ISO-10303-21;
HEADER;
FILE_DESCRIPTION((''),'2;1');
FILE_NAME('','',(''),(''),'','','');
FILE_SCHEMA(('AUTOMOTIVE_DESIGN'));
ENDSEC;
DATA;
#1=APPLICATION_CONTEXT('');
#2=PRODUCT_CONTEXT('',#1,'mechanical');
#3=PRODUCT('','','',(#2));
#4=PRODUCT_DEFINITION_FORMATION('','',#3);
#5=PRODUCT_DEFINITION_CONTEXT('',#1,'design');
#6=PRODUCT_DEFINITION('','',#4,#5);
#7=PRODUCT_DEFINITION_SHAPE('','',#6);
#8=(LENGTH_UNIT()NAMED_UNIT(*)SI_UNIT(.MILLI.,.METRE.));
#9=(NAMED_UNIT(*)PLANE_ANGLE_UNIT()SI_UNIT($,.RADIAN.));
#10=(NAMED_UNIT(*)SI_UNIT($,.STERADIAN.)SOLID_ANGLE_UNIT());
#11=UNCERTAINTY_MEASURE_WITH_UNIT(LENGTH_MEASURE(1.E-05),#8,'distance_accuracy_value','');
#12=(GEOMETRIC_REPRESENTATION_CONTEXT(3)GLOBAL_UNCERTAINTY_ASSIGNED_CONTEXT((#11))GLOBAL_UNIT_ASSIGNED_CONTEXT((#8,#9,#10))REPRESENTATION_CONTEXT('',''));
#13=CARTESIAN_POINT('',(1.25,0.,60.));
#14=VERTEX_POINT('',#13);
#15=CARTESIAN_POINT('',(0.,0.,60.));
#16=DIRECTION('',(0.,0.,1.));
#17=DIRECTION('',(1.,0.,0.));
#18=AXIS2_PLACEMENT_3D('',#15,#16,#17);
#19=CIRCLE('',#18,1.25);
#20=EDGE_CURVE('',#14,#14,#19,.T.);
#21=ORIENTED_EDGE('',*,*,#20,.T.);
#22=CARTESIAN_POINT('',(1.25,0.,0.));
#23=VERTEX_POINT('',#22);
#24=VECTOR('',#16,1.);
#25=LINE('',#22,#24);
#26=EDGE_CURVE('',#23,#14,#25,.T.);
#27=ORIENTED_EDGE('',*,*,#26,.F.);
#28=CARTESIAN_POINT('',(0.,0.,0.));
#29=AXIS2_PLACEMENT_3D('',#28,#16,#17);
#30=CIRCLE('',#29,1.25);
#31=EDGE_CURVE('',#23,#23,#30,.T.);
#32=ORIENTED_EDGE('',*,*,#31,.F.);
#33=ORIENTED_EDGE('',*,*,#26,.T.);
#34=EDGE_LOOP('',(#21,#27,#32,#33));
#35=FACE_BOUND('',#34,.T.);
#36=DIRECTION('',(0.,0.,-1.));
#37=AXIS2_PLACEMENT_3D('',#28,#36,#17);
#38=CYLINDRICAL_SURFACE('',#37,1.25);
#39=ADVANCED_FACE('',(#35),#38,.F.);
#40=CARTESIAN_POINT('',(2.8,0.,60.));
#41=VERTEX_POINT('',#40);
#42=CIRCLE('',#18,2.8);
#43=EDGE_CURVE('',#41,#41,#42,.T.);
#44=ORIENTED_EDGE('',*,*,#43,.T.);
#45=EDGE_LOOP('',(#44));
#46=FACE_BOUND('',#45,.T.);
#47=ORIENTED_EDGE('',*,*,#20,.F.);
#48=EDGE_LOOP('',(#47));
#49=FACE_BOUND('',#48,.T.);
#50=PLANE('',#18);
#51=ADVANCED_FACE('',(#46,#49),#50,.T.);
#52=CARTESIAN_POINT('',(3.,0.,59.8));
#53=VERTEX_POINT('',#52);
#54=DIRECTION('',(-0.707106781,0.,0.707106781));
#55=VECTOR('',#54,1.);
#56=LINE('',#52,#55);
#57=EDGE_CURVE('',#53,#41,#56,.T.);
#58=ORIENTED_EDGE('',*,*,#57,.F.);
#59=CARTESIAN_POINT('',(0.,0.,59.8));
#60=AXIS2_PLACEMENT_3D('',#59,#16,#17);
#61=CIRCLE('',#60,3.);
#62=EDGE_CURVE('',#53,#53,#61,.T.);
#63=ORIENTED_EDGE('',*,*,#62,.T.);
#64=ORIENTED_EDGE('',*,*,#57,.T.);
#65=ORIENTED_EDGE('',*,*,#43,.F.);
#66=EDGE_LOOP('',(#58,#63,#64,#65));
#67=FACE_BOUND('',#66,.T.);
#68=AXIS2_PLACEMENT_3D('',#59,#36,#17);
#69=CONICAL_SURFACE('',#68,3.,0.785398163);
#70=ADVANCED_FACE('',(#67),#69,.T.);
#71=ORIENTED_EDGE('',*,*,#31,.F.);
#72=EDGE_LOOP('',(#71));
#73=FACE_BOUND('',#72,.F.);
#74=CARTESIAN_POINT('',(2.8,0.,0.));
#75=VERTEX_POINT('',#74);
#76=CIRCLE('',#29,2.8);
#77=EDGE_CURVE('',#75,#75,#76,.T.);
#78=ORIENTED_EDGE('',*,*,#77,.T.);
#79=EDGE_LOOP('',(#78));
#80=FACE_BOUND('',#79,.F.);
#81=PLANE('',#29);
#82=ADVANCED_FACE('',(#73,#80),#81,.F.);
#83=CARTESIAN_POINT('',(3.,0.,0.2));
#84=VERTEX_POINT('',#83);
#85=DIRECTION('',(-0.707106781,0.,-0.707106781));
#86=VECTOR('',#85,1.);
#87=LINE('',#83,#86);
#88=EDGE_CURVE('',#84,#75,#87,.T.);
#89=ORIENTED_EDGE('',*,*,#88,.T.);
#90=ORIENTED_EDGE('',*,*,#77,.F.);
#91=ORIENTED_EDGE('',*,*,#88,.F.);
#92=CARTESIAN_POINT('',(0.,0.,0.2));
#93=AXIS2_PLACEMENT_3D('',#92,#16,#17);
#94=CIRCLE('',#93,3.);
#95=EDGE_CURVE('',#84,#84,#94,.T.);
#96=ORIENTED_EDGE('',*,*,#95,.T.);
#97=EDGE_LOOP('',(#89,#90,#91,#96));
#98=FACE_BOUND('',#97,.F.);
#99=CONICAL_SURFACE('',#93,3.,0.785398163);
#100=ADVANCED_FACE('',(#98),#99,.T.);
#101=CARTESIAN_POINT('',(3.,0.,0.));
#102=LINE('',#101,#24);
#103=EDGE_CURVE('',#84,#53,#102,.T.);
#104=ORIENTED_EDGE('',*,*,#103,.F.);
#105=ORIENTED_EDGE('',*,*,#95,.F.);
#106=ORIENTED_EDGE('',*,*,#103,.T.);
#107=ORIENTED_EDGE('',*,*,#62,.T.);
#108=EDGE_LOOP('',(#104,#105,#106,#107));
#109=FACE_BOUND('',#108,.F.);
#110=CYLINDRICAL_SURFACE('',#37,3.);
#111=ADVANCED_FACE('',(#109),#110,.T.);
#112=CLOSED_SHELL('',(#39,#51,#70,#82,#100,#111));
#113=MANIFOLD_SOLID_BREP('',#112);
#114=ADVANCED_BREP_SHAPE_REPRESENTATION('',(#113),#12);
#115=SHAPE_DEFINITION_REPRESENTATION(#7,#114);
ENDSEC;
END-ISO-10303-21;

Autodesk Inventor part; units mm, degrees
ref_plane "YZ Plane" through (0, 0, 0) normal (1, 0, 0) x (0, 1, 0)
ref_plane "XZ Plane" through (0, 0, 0) normal (0, 1, 0) x (-1, 0, 0)
ref_plane "XY Plane" through (0, 0, 0) normal (0, 0, 1) x (1, 0, 0)
sketch "スケッチ1" plane through (0, 0, 0) normal (0, 0, 1) x (1, 0, 0)
  circle A0 centre (0, 0) radius 3
  circle A1 centre (0, 0) radius 1.25
  dimension "d0" = 6
  dimension "d1" = 2.5
extrude "押し出し1" add sketch "スケッチ1" along normal blind 60
chamfer "面取り1" distance 0.2 angle 45 2 edges at (-3, 0, 0) (-3, 0, 60)
properties part number "軸_6-60" material "アルミニウム 6061"
